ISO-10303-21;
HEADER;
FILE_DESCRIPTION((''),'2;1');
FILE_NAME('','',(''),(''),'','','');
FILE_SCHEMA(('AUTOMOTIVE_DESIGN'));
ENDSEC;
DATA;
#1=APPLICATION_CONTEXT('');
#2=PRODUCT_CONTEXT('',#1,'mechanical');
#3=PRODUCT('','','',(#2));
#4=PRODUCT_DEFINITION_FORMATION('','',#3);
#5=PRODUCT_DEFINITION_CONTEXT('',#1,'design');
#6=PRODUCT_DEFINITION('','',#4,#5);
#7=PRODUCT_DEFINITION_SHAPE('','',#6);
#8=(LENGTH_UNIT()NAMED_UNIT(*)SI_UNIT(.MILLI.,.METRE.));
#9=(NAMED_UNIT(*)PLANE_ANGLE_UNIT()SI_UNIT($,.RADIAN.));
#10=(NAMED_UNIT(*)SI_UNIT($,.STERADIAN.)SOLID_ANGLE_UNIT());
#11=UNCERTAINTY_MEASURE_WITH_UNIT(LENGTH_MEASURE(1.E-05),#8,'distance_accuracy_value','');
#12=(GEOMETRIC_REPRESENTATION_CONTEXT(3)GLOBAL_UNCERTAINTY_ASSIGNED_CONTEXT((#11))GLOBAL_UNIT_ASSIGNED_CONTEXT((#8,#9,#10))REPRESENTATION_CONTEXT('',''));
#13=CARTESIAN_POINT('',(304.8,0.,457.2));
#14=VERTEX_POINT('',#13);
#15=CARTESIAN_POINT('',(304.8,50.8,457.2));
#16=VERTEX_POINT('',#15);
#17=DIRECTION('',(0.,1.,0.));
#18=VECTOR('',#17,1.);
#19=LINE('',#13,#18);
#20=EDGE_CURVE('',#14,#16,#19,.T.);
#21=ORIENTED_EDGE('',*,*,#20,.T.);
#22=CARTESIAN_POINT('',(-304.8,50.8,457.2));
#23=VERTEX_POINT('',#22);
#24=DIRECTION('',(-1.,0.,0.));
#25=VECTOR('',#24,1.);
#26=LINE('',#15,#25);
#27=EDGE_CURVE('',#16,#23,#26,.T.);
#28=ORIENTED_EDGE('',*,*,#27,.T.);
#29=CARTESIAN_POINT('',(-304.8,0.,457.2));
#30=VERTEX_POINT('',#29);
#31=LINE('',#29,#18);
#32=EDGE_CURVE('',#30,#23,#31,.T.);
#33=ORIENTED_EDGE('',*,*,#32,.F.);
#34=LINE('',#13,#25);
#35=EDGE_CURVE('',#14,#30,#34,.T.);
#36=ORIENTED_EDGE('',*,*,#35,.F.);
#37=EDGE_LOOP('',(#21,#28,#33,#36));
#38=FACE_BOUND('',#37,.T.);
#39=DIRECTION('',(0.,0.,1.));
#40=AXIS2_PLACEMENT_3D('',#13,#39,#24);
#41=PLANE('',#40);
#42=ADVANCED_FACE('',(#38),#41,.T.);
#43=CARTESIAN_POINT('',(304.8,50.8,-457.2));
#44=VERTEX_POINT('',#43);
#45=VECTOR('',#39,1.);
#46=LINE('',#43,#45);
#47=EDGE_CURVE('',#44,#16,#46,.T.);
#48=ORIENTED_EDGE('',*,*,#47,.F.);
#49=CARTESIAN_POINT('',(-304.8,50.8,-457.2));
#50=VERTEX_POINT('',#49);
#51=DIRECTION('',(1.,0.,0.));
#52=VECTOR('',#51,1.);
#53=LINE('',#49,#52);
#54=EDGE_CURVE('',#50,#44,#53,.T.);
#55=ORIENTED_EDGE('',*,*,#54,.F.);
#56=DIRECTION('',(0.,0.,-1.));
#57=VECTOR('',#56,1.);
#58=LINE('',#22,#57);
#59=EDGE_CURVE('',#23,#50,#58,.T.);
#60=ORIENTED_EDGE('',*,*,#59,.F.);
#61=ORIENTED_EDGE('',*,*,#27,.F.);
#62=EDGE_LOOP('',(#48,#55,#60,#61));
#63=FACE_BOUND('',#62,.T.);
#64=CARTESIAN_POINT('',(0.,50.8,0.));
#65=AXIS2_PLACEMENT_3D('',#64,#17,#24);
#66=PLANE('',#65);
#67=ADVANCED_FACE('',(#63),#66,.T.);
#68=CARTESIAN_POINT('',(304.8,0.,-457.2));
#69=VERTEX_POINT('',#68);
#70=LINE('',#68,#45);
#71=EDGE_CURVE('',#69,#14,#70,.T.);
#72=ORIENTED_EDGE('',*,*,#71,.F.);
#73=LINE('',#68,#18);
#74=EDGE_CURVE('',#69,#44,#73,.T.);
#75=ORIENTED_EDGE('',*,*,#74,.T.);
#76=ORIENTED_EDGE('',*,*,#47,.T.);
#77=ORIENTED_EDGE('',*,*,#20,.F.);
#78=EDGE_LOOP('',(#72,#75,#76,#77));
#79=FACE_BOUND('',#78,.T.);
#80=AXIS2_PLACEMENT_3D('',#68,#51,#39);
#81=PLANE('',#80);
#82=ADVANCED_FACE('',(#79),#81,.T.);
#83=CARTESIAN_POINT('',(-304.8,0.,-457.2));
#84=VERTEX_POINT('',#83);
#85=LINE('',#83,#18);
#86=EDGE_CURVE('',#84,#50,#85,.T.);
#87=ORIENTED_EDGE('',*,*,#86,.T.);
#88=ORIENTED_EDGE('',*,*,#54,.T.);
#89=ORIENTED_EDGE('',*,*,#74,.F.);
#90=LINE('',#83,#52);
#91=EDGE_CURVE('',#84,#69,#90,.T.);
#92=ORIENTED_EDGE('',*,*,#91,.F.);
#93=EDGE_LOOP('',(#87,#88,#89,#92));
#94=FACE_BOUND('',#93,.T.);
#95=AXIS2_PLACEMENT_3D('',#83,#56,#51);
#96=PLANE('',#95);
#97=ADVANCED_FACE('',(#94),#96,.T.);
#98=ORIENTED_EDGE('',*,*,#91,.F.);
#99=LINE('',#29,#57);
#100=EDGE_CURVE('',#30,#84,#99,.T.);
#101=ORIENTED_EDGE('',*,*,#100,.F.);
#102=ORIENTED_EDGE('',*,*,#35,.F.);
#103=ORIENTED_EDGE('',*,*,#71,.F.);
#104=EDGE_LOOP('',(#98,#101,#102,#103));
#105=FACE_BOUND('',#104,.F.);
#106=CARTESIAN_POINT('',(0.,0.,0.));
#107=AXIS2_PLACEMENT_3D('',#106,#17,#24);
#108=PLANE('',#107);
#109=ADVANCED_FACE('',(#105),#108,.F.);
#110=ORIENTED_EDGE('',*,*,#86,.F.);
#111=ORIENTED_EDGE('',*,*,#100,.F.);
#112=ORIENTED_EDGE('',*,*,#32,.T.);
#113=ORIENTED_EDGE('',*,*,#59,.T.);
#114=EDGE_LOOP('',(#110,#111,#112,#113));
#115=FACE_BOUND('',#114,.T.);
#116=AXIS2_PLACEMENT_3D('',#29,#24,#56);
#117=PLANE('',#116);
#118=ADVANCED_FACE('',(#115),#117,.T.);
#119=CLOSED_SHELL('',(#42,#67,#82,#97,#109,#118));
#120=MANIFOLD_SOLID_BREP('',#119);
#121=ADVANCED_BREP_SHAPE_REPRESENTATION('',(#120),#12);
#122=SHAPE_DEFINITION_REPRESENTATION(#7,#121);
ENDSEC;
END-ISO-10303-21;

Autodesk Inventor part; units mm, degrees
ref_plane "YZ Plane" through (0, 0, 0) normal (1, 0, 0) x (0, 1, 0)
ref_plane "XZ Plane" through (0, 0, 0) normal (0, 1, 0) x (-1, 0, 0)
ref_plane "XY Plane" through (0, 0, 0) normal (0, 0, 1) x (1, 0, 0)
sketch "Sketch1" plane through (0, 0, 0) normal (0, 1, 0) x (-1, 0, 0)
  line L0 (-304.8, 457.2) -> (304.8, 457.2)
  line L1 (304.8, 457.2) -> (304.8, -457.2)
  line L2 (304.8, -457.2) -> (-304.8, -457.2)
  line L3 (-304.8, -457.2) -> (-304.8, 457.2)
  line L4 (-304.8, 457.2) -> (304.8, -457.2) construction
  line L5 (304.8, 457.2) -> (-304.8, -457.2) construction
  point P0 (0, 0)
  dimension "d0" = 609.6
  dimension "d1" = 914.4
extrude "Extrusion1" add sketch "Sketch1" along normal blind 50.8
properties part number "Table Top"
